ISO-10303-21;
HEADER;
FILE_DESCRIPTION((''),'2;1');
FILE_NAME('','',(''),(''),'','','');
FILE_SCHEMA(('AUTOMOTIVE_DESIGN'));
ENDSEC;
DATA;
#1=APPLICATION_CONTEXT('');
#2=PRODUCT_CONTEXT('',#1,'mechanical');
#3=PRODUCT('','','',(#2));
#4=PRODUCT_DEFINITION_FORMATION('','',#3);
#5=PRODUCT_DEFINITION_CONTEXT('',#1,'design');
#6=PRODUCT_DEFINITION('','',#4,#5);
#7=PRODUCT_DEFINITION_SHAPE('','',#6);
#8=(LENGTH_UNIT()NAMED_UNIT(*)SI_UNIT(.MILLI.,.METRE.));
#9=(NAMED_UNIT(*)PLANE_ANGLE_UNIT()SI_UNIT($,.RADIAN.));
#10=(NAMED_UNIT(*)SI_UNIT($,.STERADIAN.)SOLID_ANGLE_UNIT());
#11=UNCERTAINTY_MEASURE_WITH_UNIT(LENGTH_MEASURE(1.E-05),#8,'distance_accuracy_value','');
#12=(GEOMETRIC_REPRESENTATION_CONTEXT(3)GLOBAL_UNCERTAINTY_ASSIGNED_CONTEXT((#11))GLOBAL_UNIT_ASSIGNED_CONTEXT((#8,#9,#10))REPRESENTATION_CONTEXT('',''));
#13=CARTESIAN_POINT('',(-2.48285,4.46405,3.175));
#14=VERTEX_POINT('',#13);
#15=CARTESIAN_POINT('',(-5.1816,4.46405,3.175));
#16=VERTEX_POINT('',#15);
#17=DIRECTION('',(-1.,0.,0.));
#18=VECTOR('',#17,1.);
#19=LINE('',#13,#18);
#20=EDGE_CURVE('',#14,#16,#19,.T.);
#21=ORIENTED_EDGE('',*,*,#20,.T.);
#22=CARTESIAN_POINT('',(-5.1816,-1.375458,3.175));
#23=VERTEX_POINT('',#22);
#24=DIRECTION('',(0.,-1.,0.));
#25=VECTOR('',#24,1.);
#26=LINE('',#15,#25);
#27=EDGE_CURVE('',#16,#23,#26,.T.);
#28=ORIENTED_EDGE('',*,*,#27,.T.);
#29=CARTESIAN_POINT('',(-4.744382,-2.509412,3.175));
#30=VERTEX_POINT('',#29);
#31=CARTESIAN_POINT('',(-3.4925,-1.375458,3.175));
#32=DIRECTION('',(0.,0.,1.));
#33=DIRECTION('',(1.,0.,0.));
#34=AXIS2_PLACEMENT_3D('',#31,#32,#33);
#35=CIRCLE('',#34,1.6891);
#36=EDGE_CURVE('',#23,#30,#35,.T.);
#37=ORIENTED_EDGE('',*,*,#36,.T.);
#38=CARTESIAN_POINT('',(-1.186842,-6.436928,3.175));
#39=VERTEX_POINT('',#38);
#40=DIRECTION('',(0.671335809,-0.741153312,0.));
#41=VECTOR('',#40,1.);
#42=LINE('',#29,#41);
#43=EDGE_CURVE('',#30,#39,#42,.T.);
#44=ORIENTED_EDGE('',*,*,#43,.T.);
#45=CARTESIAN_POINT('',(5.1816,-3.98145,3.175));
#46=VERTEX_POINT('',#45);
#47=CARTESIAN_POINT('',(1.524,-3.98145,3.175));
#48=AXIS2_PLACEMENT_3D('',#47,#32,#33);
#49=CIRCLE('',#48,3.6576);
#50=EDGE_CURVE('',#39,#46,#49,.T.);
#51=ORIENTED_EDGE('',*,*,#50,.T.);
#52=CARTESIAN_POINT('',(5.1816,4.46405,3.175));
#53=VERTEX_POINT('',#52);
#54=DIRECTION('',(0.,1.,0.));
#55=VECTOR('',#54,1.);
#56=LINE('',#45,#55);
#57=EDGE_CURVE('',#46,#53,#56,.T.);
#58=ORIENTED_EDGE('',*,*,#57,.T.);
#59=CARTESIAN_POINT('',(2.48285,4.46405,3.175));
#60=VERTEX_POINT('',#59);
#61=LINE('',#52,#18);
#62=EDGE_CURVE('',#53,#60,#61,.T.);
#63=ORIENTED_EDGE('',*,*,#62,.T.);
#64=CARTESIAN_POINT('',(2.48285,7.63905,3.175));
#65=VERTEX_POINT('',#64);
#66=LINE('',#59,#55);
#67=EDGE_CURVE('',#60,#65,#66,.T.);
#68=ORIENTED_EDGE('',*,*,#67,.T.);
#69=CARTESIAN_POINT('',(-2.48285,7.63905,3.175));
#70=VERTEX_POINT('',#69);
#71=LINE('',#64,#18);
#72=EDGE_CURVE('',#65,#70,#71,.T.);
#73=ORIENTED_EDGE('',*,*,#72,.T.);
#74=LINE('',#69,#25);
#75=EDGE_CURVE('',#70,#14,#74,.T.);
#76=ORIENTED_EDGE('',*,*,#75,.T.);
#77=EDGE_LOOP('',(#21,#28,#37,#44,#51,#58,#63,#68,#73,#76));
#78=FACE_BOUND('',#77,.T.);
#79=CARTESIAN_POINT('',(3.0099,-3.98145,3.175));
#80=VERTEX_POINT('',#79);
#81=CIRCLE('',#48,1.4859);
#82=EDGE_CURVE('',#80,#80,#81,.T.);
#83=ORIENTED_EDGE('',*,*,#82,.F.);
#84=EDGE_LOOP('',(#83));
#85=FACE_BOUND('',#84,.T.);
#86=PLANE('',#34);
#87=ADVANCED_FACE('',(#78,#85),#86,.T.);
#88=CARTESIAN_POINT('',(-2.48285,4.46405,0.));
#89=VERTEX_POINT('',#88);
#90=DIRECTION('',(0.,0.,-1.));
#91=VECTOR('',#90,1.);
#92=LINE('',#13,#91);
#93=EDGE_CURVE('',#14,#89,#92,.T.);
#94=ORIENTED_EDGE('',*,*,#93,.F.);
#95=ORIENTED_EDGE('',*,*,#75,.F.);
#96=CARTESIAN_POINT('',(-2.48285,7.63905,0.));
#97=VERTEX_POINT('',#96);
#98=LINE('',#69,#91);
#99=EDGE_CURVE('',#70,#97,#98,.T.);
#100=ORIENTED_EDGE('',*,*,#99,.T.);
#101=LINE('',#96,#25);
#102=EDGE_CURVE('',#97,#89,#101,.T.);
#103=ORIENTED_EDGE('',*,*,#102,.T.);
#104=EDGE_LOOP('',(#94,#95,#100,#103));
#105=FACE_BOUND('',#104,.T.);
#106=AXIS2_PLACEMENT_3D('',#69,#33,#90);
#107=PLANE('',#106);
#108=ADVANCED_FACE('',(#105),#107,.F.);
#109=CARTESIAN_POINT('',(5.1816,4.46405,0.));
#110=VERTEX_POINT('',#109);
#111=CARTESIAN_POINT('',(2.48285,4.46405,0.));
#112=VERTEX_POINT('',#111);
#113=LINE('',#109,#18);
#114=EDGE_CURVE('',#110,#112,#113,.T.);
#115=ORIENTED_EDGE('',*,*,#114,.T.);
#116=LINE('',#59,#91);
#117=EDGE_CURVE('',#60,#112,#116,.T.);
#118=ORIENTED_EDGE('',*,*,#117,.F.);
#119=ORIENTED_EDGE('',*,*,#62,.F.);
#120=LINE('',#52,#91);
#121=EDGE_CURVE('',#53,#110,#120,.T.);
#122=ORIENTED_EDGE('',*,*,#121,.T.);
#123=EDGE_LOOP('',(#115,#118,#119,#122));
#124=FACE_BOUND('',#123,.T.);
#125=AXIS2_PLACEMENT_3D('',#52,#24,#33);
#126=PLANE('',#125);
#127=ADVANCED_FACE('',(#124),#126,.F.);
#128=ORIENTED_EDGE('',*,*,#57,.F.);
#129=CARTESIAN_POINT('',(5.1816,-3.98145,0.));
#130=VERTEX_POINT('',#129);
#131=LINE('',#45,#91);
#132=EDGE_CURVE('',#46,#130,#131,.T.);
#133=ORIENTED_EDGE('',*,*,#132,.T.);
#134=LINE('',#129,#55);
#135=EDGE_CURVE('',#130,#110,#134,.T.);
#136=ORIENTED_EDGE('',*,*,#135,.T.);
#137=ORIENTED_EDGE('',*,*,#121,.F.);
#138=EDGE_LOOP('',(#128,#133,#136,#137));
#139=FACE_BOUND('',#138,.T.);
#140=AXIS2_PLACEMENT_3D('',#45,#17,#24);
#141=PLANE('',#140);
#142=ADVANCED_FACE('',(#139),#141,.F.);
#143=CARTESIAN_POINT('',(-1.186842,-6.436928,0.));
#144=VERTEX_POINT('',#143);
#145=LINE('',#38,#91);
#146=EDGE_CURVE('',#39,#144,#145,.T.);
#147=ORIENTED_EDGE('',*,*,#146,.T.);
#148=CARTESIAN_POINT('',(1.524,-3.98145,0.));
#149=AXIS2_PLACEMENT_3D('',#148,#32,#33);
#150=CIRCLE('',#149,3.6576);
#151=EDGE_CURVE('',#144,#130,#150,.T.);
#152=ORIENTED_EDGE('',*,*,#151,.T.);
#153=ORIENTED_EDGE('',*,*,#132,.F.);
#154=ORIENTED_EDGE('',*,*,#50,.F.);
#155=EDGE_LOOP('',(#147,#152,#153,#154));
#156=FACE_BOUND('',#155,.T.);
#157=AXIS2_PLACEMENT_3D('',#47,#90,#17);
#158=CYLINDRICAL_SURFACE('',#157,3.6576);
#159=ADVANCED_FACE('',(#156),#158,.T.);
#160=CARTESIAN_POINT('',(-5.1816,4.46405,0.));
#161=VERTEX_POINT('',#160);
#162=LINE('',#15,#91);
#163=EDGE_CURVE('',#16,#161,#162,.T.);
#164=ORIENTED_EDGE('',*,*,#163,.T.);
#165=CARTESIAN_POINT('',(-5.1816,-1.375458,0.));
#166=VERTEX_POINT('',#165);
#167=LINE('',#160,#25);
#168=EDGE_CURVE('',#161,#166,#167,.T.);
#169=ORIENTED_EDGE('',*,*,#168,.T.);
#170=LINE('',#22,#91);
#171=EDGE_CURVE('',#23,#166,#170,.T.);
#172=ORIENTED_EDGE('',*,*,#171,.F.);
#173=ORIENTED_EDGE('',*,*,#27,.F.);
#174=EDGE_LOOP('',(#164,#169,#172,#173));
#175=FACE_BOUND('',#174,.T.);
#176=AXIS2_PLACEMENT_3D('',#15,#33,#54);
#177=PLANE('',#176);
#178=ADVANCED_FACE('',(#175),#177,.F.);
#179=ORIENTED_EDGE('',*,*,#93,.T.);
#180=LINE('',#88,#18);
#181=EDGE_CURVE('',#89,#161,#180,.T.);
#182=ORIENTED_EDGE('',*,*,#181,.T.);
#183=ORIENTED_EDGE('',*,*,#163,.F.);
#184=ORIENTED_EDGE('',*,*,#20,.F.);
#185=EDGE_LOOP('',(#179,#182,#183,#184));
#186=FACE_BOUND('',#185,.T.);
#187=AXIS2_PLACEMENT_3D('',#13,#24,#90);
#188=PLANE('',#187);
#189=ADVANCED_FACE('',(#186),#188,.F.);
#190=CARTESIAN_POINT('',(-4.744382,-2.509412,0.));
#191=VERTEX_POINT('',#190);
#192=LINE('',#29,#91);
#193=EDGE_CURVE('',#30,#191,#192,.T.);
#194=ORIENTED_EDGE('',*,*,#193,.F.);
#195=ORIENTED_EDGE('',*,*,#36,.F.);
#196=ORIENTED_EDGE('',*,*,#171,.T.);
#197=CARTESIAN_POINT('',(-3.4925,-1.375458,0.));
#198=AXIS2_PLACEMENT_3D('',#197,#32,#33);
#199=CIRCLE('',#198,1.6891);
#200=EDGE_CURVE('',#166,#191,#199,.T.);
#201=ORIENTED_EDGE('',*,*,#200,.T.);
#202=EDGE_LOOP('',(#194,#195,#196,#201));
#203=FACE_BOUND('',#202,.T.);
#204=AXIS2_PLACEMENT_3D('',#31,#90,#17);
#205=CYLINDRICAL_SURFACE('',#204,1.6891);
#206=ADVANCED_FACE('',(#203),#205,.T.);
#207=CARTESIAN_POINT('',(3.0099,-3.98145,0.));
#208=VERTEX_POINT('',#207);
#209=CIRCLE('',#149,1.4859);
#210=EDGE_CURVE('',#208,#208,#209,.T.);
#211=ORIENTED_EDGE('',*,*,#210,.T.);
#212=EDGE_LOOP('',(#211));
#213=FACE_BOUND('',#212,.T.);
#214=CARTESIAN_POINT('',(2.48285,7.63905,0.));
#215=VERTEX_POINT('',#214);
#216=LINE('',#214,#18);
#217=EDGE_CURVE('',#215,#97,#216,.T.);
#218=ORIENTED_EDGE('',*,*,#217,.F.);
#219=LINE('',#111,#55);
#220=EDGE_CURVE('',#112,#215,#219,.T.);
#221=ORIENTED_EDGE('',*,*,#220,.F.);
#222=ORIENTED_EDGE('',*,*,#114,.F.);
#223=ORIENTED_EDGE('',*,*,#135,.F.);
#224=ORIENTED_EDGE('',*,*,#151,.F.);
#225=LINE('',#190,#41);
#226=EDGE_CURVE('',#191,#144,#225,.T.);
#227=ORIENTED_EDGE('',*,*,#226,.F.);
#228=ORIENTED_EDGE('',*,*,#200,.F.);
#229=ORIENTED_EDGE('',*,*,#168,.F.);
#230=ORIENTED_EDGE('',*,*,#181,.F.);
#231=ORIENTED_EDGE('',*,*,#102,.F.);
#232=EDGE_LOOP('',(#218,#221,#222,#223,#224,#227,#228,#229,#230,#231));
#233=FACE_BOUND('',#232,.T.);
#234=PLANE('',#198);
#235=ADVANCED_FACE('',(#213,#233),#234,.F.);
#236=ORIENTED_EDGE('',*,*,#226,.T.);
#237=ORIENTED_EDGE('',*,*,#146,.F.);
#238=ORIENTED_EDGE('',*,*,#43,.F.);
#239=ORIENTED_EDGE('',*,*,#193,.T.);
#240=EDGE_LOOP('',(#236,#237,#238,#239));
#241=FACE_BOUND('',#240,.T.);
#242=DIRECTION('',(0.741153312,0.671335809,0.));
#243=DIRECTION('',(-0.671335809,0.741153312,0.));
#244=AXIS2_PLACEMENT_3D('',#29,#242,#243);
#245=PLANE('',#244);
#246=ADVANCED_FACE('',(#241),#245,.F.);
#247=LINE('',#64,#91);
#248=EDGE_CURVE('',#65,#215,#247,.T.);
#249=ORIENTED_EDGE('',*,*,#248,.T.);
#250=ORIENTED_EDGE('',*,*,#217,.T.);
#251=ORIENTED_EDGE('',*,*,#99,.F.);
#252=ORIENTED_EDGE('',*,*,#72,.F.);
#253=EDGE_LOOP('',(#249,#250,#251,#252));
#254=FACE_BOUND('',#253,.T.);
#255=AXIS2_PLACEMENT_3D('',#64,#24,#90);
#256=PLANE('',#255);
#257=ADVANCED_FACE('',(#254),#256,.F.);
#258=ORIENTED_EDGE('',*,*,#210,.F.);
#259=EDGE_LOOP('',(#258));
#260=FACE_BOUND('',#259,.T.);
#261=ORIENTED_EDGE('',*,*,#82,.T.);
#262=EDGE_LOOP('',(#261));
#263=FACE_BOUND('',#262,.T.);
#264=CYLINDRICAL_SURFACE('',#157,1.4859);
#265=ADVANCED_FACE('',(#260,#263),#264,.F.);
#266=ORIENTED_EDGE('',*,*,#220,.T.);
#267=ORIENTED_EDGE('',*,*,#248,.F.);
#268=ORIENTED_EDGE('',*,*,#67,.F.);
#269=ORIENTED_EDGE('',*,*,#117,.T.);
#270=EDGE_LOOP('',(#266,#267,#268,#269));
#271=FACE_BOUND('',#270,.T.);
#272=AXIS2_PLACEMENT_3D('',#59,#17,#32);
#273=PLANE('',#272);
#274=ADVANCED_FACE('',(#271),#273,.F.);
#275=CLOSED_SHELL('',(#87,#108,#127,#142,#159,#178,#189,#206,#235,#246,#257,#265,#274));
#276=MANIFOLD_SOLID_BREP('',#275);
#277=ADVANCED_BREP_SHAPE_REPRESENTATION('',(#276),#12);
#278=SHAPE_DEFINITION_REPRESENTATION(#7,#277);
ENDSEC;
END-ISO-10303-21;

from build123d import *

# Parameters (mm, degrees)
SKETCH1_R           = 1.4859
BOSS_EXTRUDE1_DEPTH = 3.175


with BuildPart() as part:
    # Sketch1 → Boss-Extrude1 (new body)
    with BuildSketch(Plane.XY):
        with BuildLine():
            Line((-4.744382059, -2.509411554), (-1.186842353, -6.436927856))
            ThreePointArc((-1.186842353, -6.436927856), (2.839838282, -7.394162612), (5.1816, -3.98145))
            Line((5.1816, -3.98145), (5.1816, 4.46405))
            Line((5.1816, 4.46405), (2.48285, 4.46405))
            Line((2.48285, 4.46405), (2.48285, 7.63905))
            Line((2.48285, 7.63905), (-2.48285, 7.63905))
            Line((-2.48285, 7.63905), (-2.48285, 4.46405))
            Line((-2.48285, 4.46405), (-5.1816, 4.46405))
            Line((-5.1816, 4.46405), (-5.1816, -1.375458239))
            ThreePointArc((-5.1816, -1.375458239), (-5.068509644, -1.983119668), (-4.744382059, -2.509411554))
        make_face()
        with Locations((1.524, -3.98145)):
            Circle(SKETCH1_R, mode=Mode.SUBTRACT)
    extrude(amount=BOSS_EXTRUDE1_DEPTH)


solid = part.part
